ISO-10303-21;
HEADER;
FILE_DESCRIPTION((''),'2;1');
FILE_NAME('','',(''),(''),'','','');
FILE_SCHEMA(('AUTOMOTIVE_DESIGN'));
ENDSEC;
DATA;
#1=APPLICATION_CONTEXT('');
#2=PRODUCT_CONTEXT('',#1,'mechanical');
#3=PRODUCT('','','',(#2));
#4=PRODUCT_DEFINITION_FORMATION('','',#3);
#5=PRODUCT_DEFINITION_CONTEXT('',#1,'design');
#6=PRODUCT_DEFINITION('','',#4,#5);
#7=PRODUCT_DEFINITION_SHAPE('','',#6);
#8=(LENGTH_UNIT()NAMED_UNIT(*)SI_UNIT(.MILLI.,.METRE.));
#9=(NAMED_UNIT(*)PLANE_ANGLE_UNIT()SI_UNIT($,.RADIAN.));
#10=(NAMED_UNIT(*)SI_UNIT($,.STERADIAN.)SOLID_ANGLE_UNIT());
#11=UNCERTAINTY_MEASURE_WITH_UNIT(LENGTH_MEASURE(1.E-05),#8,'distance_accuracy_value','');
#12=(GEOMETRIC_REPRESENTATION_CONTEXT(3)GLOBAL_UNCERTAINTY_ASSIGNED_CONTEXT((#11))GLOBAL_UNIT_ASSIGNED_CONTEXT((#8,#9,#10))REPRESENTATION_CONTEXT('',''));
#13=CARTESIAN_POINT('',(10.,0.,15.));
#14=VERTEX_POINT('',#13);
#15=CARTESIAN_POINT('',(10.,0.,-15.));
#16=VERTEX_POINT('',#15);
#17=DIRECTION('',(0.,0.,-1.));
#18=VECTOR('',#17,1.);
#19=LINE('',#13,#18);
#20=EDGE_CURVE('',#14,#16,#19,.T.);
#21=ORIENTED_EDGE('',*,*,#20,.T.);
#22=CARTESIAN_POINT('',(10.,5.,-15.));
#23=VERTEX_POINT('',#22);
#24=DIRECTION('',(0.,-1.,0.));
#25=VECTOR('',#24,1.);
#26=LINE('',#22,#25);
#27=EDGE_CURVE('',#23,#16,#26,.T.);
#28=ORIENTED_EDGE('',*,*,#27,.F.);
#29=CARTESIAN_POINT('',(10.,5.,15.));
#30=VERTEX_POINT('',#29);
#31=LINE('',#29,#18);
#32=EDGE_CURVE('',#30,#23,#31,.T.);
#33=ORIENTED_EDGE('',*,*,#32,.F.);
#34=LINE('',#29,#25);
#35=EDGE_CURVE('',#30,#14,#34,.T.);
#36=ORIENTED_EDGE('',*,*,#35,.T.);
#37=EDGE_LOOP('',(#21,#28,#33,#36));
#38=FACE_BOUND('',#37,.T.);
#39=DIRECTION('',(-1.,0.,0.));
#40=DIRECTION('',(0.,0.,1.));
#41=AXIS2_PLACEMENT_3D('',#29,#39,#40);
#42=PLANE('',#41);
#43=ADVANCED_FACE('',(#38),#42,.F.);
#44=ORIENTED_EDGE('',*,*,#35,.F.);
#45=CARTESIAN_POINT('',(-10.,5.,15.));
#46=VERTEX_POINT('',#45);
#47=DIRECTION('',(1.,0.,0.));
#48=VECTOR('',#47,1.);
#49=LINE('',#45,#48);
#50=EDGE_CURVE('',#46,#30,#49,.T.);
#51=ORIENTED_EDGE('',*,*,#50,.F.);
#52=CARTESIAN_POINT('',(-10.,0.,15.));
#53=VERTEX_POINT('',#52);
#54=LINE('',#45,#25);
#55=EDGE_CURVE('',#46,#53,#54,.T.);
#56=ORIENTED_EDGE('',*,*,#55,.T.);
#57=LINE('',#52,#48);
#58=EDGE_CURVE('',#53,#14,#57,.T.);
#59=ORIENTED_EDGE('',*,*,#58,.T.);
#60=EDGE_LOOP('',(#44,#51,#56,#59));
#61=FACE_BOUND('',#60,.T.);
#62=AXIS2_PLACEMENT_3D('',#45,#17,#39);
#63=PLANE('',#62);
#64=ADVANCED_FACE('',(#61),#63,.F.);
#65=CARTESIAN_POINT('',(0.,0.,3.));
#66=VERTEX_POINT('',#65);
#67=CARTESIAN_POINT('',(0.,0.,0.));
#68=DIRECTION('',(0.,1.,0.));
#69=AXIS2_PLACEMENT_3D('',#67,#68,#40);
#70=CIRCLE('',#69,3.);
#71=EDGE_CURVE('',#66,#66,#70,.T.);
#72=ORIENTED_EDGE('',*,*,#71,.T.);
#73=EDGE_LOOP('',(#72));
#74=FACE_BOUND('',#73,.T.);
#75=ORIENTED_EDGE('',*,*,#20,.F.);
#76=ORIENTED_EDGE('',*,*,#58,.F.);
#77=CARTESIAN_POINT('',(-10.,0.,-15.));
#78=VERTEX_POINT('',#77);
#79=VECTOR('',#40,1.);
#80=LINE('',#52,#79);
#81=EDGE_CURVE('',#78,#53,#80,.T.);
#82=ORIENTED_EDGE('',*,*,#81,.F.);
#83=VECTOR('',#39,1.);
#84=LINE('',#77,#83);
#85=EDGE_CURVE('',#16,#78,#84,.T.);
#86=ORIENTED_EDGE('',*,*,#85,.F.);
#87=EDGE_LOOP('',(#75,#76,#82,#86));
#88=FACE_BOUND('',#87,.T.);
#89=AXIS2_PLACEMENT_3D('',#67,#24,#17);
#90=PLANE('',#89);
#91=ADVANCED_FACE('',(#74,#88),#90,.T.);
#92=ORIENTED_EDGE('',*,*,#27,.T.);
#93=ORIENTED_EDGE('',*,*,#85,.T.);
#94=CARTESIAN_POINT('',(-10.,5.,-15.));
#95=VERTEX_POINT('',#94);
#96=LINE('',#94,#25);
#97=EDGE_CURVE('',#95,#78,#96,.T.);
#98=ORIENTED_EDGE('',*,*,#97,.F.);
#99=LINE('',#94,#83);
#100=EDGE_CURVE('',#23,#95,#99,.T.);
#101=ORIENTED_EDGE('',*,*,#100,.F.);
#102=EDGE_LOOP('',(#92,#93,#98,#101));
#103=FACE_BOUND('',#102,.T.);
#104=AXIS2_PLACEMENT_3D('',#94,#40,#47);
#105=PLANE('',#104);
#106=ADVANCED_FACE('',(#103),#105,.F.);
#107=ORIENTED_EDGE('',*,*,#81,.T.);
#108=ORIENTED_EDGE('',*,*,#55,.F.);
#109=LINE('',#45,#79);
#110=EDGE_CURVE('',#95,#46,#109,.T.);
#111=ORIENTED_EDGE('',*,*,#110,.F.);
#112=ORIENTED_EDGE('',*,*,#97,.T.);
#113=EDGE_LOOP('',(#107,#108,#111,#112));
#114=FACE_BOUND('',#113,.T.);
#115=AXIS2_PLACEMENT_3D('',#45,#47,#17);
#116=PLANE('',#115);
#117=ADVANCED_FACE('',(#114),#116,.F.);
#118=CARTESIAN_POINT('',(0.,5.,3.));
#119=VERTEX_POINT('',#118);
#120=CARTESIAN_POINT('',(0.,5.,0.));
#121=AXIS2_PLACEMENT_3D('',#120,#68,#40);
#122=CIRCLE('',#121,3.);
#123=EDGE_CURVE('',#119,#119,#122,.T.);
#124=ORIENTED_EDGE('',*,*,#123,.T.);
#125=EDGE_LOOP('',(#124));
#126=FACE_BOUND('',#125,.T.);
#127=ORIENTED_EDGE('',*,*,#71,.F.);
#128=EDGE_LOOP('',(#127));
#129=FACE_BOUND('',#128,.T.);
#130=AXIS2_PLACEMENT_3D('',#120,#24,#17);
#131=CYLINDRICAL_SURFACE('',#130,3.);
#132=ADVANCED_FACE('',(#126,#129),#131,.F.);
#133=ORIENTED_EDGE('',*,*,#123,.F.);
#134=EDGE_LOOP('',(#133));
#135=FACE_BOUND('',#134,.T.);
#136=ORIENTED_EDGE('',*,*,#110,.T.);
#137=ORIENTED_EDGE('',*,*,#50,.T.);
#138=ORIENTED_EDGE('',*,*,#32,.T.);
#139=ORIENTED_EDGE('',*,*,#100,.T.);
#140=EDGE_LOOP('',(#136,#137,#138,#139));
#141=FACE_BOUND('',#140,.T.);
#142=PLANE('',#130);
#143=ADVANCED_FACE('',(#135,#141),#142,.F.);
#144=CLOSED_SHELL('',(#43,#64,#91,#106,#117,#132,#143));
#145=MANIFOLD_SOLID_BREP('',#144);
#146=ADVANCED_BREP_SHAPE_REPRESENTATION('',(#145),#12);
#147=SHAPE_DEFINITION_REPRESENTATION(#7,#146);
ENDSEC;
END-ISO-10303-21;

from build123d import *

# Parameters (mm, degrees)
SKETCH1_W           = 20
SKETCH1_H           = 30
SKETCH1_R           = 3
BOSS_EXTRUDE1_DEPTH = 5


with BuildPart() as part:
    # Sketch1 → Boss-Extrude1 (new body)
    with BuildSketch(Plane(origin=(0, 0, 0), x_dir=(1, 0, 0), z_dir=(0, 1, 0))):
        Rectangle(SKETCH1_W, SKETCH1_H)
        with Locations(Location((0, 0, 0), (0, 0, 270))):
            Circle(SKETCH1_R, mode=Mode.SUBTRACT)
    extrude(amount=BOSS_EXTRUDE1_DEPTH)


solid = part.part
